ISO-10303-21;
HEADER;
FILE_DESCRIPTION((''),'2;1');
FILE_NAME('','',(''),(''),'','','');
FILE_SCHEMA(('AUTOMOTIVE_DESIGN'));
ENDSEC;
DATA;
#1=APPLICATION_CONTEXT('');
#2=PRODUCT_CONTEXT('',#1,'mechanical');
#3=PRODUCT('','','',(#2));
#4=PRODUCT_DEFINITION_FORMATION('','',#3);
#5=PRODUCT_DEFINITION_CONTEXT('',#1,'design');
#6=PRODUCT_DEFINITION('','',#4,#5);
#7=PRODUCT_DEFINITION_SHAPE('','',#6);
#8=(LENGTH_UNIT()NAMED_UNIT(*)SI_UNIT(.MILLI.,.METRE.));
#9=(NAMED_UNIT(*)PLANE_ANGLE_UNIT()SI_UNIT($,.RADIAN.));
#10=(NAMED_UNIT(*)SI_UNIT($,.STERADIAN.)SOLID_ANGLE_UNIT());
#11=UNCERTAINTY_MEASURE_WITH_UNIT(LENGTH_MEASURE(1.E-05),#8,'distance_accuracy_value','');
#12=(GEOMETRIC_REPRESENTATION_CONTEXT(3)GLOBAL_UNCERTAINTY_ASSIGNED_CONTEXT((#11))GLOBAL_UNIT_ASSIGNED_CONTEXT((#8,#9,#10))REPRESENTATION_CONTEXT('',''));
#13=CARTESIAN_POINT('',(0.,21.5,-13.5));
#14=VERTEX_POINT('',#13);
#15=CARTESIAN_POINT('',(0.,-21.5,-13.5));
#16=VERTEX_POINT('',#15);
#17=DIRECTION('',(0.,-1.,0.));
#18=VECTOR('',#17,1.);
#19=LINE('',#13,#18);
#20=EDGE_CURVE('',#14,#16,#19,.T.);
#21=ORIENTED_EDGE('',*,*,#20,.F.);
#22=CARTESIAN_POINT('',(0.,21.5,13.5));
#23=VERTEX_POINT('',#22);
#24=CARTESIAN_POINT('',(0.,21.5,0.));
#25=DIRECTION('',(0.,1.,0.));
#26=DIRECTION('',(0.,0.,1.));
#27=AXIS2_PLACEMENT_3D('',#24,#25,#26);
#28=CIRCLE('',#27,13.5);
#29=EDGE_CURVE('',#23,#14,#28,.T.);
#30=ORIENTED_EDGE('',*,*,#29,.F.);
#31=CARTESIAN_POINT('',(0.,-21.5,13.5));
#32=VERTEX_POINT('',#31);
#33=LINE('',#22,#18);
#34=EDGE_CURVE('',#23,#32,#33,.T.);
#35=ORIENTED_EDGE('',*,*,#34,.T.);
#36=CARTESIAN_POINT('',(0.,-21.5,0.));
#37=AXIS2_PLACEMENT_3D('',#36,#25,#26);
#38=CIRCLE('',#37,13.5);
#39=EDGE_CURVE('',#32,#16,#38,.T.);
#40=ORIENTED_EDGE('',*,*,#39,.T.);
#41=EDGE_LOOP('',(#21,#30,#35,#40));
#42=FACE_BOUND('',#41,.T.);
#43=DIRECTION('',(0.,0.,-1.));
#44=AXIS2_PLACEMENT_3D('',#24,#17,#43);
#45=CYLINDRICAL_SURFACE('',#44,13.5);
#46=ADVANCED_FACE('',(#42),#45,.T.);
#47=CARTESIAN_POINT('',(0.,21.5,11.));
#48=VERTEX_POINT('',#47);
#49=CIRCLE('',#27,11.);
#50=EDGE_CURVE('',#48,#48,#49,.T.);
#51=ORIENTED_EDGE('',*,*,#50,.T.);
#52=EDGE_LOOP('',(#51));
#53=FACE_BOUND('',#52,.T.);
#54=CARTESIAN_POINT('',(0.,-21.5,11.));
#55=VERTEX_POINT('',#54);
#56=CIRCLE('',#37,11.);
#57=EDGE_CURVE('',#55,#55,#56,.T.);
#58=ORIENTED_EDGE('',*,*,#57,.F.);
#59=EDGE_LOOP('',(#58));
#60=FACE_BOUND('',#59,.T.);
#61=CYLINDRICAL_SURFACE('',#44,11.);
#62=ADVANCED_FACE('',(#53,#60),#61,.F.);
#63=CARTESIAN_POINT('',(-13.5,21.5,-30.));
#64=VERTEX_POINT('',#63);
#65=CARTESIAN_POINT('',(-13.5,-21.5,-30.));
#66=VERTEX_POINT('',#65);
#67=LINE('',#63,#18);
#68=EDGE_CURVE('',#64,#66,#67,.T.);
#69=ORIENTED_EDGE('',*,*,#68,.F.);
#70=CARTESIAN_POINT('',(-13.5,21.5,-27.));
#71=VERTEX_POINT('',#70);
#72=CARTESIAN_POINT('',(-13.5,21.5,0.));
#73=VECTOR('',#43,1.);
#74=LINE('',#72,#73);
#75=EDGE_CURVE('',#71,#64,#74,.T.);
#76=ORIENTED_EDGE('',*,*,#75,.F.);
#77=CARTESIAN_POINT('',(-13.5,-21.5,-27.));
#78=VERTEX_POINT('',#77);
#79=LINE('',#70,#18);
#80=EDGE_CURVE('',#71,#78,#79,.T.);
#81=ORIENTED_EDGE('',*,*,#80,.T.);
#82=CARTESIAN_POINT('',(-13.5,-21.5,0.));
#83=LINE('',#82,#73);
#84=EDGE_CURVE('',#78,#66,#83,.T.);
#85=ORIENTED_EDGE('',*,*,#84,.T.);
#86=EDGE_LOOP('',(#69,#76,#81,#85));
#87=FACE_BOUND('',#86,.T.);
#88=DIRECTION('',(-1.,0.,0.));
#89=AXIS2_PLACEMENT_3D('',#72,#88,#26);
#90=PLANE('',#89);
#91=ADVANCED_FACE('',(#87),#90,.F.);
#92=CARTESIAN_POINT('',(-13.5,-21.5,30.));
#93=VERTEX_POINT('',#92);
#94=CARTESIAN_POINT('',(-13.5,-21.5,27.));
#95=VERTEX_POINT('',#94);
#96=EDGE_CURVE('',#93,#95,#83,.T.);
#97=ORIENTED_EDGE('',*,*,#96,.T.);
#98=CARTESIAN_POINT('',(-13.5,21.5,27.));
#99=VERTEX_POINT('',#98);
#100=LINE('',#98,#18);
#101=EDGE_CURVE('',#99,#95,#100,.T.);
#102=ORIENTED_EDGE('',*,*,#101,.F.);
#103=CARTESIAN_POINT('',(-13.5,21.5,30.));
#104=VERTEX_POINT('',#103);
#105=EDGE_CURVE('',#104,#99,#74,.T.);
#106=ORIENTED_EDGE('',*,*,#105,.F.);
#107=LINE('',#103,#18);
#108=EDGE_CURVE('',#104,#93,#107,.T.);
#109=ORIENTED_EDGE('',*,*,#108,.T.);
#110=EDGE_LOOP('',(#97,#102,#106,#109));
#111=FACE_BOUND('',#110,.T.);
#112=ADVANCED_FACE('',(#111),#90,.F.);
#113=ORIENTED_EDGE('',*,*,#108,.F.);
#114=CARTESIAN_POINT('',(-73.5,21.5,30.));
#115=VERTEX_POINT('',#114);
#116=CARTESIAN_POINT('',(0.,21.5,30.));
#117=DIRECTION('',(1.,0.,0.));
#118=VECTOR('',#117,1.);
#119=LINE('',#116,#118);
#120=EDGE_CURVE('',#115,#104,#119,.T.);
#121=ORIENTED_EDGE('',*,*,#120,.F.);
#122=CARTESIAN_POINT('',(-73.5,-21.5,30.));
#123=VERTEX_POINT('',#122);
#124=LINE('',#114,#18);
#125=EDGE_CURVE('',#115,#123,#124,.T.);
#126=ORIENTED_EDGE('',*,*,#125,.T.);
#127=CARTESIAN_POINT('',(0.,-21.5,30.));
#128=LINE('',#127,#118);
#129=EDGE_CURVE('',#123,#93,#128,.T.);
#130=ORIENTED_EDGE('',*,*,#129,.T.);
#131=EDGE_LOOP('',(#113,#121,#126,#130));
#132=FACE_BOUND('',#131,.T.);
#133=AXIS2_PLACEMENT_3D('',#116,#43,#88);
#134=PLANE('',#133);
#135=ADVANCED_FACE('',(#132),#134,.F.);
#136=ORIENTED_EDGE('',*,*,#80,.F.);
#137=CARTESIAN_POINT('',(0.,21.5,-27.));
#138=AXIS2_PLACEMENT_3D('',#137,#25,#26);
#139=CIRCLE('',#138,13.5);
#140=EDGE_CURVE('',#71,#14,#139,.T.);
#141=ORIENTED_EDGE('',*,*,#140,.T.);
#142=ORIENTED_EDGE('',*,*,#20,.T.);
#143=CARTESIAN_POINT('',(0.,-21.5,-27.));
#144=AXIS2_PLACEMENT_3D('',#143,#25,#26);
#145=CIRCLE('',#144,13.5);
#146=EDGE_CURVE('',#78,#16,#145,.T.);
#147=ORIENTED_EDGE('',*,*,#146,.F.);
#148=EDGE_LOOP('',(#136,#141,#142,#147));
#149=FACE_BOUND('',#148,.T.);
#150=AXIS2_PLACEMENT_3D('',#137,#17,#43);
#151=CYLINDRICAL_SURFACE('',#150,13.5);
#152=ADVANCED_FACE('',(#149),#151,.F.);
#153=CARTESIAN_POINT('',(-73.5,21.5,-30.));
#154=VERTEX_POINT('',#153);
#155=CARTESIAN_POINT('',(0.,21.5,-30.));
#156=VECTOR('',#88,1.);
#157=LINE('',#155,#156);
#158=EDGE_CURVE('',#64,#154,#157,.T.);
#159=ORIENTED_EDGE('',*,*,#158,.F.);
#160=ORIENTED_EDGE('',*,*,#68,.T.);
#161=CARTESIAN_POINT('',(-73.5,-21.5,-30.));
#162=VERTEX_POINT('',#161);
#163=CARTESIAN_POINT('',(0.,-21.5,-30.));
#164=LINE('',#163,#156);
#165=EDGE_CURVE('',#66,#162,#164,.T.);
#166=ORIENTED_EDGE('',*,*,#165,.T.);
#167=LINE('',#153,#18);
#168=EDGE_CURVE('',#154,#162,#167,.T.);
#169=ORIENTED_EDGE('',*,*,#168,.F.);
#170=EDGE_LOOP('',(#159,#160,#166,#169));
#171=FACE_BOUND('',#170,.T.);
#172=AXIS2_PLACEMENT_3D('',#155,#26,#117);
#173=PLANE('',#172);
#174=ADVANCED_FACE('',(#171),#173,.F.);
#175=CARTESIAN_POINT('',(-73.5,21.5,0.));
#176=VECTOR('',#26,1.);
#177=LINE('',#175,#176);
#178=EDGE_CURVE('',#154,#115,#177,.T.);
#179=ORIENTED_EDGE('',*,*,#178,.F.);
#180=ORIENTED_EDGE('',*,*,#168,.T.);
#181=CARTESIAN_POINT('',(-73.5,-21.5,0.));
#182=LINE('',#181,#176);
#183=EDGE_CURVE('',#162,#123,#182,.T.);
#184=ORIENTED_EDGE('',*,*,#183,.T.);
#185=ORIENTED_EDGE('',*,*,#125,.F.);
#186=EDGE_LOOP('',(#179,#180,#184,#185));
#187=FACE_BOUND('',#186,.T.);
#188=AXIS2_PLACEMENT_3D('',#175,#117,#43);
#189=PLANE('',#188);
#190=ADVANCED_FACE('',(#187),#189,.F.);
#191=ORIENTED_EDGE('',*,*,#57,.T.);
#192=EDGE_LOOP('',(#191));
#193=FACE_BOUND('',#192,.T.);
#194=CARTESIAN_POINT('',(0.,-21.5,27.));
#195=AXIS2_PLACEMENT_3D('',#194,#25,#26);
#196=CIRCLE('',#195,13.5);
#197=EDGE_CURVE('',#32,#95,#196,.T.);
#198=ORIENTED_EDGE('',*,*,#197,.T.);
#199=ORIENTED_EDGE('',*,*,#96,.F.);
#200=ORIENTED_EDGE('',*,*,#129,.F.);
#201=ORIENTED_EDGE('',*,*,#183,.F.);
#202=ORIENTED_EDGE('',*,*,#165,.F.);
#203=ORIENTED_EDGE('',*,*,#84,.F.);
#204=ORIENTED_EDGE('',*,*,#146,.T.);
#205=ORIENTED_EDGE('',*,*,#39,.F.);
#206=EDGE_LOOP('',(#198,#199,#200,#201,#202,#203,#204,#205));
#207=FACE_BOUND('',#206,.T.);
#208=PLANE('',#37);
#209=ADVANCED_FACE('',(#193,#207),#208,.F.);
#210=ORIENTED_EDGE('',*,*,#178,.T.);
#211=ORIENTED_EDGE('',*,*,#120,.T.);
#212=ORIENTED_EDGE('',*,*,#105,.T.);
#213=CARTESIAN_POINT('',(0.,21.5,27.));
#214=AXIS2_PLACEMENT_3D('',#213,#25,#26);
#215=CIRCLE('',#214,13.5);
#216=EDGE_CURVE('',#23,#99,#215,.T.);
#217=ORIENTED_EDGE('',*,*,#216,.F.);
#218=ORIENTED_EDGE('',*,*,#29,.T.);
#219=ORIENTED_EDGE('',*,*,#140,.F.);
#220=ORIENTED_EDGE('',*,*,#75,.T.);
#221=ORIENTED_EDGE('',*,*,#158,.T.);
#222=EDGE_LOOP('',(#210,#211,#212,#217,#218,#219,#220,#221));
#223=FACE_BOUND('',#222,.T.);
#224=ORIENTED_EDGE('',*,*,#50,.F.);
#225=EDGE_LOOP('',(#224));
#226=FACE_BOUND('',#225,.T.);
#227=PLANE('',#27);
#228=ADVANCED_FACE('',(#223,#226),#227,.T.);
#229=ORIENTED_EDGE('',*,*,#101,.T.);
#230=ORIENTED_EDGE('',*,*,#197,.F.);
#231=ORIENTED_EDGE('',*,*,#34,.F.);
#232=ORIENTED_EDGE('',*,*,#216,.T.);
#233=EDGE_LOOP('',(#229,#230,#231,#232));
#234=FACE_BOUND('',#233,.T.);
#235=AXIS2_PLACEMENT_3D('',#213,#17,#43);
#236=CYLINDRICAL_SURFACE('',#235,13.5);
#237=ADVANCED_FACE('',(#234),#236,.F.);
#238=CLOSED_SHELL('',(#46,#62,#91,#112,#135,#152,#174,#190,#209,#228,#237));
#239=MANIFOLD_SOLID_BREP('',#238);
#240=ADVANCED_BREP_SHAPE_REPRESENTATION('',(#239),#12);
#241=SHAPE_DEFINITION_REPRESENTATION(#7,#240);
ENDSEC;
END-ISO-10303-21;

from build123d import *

# Parameters (mm, degrees)
SKETCH_1_R      = 11
EXTRUDE_1_DEPTH = 21.5


with BuildPart() as part:
    # Эскиз1 → Бобышка-Вытянуть1 (new, symmetric)
    with BuildSketch(Plane(origin=(0, 0, 0), x_dir=(1, 0, 0), z_dir=(0, 1, 0))):
        with BuildLine():
            ThreePointArc((0, 13.5), (-9.545941546, 17.454058454), (-13.5, 27))
            Line((-13.5, 27), (-13.5, 30))
            Line((-13.5, 30), (-73.5, 30))
            Line((-73.5, 30), (-73.5, -30))
            Line((-73.5, -30), (-13.5, -30))
            Line((-13.5, -30), (-13.5, -27))
            ThreePointArc((-13.5, -27), (-9.545941546, -17.454058454), (0, -13.5))
            ThreePointArc((0, -13.5), (9.545941546, -9.545941546), (13.5, 0))
            ThreePointArc((13.5, 0), (9.545941546, 9.545941546), (0, 13.5))
        make_face()
        with Locations(Location((0, 0, 0), (0, 0, 270))):
            Circle(SKETCH_1_R, mode=Mode.SUBTRACT)
    extrude(amount=EXTRUDE_1_DEPTH, both=True)


solid = part.part
